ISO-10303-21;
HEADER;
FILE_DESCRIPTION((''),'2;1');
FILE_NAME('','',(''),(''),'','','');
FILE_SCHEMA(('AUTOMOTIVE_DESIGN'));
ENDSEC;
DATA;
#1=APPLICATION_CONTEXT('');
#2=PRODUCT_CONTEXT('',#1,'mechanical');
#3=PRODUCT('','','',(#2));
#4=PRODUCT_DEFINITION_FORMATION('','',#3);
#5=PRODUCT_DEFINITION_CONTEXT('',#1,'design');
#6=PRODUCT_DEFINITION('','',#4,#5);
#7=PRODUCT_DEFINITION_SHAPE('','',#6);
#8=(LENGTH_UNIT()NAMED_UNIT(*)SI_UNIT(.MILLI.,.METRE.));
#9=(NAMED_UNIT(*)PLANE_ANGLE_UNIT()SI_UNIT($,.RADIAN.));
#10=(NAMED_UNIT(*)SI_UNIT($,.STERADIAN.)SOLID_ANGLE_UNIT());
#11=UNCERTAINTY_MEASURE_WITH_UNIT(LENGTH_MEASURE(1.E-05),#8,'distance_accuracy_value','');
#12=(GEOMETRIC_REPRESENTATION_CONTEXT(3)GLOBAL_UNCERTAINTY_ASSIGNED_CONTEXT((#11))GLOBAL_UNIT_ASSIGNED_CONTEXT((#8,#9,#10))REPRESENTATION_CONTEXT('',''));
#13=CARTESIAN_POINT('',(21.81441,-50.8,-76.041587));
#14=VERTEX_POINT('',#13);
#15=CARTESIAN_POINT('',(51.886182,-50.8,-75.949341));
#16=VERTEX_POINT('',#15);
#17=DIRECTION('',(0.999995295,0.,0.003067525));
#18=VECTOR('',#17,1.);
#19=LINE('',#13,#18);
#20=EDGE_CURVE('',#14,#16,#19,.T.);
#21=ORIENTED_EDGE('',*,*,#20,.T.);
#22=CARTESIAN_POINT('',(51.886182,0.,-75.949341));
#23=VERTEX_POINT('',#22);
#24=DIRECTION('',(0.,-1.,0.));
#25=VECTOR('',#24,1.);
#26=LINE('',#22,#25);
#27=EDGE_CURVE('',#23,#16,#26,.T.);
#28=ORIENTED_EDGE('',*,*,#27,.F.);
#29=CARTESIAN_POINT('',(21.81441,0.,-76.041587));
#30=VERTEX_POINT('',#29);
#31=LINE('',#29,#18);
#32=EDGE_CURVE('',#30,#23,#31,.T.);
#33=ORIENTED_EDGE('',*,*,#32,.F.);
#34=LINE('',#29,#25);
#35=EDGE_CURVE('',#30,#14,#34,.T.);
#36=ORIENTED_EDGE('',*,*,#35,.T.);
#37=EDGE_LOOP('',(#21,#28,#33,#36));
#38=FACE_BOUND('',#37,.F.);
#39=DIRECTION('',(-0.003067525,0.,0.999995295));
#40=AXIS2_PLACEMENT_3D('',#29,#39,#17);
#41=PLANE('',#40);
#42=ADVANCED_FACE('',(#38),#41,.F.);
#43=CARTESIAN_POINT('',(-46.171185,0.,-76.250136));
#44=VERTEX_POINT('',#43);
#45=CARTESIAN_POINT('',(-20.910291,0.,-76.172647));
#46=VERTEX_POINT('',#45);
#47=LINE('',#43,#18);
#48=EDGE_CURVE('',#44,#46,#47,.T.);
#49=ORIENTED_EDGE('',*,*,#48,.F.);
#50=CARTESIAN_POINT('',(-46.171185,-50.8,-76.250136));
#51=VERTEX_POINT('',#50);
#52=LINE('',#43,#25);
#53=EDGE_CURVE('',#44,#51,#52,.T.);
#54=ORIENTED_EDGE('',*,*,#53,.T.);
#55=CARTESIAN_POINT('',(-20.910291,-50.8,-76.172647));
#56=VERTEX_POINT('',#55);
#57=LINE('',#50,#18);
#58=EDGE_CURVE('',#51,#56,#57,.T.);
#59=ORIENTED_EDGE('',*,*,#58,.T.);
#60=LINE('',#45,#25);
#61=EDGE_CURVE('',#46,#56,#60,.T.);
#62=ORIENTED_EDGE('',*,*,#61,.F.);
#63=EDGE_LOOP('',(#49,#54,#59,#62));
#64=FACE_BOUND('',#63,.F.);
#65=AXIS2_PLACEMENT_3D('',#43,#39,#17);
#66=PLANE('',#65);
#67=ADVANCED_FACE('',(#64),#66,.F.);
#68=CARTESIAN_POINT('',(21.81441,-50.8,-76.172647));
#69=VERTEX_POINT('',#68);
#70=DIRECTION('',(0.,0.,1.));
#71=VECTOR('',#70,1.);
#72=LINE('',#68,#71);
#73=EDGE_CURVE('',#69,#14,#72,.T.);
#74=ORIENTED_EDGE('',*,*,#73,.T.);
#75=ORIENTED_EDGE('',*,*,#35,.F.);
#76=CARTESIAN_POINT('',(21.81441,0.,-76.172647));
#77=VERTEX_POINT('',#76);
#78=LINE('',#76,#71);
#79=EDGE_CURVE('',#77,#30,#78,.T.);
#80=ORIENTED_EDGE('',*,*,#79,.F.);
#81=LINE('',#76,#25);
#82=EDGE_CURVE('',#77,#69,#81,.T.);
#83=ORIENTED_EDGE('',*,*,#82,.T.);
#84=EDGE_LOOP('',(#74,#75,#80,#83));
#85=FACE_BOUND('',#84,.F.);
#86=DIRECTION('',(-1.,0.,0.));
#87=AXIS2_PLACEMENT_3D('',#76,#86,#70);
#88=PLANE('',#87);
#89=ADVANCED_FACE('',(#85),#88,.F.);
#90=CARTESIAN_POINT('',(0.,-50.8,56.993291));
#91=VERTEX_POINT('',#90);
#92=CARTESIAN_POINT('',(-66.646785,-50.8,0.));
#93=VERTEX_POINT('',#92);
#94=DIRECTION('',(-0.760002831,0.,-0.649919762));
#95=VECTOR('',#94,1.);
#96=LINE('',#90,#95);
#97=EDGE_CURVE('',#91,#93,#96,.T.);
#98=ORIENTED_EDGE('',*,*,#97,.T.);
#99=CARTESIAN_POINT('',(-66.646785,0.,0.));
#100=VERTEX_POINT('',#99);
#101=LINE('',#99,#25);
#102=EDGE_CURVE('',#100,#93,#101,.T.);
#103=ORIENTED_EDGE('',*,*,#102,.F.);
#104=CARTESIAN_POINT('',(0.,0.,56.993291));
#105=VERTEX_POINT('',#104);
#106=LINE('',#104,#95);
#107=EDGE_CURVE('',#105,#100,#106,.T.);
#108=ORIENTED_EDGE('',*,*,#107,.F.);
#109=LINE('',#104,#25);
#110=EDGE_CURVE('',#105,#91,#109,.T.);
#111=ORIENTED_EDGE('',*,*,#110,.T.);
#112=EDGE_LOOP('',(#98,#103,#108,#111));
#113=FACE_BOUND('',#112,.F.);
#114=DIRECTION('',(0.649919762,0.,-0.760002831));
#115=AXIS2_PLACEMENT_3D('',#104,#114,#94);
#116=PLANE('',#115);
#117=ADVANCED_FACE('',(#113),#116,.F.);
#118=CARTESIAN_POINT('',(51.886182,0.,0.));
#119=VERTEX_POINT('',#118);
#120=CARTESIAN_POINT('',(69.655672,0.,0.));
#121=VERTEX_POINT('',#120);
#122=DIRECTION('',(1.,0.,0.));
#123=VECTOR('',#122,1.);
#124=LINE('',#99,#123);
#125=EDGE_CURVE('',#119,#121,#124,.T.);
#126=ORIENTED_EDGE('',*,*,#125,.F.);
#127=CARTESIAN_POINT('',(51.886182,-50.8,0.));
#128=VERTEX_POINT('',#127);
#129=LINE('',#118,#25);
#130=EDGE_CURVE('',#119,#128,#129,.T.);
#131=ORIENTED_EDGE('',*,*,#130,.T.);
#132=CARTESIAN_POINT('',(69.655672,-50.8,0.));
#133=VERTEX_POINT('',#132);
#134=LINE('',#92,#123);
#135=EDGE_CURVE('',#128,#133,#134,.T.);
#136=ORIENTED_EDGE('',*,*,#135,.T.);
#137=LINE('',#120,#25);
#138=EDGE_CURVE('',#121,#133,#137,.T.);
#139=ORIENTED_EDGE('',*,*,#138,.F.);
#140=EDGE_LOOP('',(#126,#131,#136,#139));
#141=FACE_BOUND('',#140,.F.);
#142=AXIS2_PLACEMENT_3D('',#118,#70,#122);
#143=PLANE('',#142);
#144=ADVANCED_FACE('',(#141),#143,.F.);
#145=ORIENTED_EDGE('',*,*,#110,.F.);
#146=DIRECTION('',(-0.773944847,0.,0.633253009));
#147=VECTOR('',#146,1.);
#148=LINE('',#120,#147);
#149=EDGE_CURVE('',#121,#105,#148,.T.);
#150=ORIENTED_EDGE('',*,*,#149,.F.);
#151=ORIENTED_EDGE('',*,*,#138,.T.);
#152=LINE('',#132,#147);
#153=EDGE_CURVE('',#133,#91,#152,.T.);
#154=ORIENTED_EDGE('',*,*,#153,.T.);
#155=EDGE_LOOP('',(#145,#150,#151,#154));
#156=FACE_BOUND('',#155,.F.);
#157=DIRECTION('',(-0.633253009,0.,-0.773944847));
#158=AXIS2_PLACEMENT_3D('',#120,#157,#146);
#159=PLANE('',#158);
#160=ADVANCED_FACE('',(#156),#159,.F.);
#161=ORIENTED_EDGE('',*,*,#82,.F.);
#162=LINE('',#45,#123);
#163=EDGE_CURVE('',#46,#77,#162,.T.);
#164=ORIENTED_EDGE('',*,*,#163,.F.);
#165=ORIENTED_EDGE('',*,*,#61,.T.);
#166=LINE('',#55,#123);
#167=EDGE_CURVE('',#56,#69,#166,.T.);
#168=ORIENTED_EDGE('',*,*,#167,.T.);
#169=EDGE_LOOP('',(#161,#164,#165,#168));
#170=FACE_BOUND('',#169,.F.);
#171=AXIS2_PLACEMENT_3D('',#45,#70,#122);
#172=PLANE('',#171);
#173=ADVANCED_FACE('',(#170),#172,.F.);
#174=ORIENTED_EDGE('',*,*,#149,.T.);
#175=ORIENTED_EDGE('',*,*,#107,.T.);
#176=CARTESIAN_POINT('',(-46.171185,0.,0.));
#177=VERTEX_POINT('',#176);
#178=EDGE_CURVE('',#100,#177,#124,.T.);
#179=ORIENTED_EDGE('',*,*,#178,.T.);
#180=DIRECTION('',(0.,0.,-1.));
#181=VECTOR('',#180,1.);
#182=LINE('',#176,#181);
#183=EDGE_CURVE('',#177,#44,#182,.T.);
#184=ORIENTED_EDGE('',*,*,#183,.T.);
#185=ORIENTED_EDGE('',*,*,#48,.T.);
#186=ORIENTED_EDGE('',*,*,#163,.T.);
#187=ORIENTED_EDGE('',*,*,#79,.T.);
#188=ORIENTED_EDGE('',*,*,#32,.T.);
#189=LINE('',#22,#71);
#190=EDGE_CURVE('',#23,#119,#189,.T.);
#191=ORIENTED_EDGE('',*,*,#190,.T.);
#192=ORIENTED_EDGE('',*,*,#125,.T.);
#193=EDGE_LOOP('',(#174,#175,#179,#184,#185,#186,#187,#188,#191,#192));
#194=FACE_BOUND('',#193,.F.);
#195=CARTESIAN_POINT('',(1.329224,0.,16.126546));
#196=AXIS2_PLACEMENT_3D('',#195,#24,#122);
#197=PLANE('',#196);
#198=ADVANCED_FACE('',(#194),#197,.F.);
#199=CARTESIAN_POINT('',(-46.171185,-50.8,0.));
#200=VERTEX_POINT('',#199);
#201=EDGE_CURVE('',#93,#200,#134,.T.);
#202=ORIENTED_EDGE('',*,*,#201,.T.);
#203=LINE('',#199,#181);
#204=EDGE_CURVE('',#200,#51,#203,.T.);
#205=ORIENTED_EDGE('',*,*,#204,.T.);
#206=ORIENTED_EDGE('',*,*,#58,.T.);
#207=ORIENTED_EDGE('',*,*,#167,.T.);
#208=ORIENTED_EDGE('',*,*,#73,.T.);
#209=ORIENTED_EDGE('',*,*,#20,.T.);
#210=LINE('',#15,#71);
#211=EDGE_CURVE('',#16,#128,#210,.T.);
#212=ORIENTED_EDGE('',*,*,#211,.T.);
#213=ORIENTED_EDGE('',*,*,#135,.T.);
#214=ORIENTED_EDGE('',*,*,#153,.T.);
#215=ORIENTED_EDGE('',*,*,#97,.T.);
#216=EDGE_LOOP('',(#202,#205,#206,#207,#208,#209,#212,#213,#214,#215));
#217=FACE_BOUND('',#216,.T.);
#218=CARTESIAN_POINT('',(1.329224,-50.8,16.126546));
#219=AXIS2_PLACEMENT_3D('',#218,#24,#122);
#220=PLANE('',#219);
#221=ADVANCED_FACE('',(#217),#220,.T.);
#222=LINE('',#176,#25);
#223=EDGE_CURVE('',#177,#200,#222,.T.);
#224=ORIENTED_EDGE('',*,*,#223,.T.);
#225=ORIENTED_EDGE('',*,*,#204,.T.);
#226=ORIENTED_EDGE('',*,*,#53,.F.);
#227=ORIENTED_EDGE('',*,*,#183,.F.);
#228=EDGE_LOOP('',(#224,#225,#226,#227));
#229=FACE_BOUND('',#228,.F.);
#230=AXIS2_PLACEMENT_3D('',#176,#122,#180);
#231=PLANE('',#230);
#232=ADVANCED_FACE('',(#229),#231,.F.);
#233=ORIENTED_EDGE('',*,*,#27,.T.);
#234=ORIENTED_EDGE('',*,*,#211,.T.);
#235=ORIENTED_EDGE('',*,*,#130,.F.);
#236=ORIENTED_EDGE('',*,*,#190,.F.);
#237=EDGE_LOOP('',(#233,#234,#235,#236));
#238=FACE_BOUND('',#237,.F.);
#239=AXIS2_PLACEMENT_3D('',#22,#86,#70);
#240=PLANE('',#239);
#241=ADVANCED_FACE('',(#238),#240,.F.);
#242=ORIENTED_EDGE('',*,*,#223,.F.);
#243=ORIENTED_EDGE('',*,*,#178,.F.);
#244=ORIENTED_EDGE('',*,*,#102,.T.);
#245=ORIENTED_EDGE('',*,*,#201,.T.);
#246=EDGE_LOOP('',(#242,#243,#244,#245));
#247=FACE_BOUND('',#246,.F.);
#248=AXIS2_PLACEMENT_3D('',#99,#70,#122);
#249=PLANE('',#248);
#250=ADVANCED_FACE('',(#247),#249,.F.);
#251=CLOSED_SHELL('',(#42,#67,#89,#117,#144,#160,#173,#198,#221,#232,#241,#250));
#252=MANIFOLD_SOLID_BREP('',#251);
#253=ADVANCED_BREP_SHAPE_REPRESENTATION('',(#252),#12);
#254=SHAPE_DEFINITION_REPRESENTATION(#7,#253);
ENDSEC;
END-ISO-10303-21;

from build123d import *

# Parameters (mm, degrees)
F1_DEPTH = 50.8


with BuildPart() as f1:
    # F0 (on Front) → F1 (new body)
    with BuildSketch(Plane.XZ):
        Polygon((-66.646784544, 0), (-46.1711846292, 0), (51.8861822784, 0), (69.6556717157, 0), (0, 56.993290782), align=None)
        Polygon((51.8861822784, 0), (-46.1711846292, 0), (-46.1711846292, -76.2501358986), (-20.9102912922, -76.1726471121), (-20.9102912922, -21.5385891497), (21.8144096434, -21.5385891497), (21.8144096434, -76.0415874072), (51.8861822784, -75.9493410587), align=None)
        Polygon((-20.9102912922, -21.5385891497), (-20.9102912922, -76.1726471121), (21.8144096434, -76.0415874072), (21.8144096434, -21.5385891497), align=None)
        Polygon((21.8144096434, -76.0415874072), (-20.9102912922, -76.1726471121), (21.8144096434, -76.1726471121), align=None)
    extrude(amount=F1_DEPTH)


solid = f1.part
